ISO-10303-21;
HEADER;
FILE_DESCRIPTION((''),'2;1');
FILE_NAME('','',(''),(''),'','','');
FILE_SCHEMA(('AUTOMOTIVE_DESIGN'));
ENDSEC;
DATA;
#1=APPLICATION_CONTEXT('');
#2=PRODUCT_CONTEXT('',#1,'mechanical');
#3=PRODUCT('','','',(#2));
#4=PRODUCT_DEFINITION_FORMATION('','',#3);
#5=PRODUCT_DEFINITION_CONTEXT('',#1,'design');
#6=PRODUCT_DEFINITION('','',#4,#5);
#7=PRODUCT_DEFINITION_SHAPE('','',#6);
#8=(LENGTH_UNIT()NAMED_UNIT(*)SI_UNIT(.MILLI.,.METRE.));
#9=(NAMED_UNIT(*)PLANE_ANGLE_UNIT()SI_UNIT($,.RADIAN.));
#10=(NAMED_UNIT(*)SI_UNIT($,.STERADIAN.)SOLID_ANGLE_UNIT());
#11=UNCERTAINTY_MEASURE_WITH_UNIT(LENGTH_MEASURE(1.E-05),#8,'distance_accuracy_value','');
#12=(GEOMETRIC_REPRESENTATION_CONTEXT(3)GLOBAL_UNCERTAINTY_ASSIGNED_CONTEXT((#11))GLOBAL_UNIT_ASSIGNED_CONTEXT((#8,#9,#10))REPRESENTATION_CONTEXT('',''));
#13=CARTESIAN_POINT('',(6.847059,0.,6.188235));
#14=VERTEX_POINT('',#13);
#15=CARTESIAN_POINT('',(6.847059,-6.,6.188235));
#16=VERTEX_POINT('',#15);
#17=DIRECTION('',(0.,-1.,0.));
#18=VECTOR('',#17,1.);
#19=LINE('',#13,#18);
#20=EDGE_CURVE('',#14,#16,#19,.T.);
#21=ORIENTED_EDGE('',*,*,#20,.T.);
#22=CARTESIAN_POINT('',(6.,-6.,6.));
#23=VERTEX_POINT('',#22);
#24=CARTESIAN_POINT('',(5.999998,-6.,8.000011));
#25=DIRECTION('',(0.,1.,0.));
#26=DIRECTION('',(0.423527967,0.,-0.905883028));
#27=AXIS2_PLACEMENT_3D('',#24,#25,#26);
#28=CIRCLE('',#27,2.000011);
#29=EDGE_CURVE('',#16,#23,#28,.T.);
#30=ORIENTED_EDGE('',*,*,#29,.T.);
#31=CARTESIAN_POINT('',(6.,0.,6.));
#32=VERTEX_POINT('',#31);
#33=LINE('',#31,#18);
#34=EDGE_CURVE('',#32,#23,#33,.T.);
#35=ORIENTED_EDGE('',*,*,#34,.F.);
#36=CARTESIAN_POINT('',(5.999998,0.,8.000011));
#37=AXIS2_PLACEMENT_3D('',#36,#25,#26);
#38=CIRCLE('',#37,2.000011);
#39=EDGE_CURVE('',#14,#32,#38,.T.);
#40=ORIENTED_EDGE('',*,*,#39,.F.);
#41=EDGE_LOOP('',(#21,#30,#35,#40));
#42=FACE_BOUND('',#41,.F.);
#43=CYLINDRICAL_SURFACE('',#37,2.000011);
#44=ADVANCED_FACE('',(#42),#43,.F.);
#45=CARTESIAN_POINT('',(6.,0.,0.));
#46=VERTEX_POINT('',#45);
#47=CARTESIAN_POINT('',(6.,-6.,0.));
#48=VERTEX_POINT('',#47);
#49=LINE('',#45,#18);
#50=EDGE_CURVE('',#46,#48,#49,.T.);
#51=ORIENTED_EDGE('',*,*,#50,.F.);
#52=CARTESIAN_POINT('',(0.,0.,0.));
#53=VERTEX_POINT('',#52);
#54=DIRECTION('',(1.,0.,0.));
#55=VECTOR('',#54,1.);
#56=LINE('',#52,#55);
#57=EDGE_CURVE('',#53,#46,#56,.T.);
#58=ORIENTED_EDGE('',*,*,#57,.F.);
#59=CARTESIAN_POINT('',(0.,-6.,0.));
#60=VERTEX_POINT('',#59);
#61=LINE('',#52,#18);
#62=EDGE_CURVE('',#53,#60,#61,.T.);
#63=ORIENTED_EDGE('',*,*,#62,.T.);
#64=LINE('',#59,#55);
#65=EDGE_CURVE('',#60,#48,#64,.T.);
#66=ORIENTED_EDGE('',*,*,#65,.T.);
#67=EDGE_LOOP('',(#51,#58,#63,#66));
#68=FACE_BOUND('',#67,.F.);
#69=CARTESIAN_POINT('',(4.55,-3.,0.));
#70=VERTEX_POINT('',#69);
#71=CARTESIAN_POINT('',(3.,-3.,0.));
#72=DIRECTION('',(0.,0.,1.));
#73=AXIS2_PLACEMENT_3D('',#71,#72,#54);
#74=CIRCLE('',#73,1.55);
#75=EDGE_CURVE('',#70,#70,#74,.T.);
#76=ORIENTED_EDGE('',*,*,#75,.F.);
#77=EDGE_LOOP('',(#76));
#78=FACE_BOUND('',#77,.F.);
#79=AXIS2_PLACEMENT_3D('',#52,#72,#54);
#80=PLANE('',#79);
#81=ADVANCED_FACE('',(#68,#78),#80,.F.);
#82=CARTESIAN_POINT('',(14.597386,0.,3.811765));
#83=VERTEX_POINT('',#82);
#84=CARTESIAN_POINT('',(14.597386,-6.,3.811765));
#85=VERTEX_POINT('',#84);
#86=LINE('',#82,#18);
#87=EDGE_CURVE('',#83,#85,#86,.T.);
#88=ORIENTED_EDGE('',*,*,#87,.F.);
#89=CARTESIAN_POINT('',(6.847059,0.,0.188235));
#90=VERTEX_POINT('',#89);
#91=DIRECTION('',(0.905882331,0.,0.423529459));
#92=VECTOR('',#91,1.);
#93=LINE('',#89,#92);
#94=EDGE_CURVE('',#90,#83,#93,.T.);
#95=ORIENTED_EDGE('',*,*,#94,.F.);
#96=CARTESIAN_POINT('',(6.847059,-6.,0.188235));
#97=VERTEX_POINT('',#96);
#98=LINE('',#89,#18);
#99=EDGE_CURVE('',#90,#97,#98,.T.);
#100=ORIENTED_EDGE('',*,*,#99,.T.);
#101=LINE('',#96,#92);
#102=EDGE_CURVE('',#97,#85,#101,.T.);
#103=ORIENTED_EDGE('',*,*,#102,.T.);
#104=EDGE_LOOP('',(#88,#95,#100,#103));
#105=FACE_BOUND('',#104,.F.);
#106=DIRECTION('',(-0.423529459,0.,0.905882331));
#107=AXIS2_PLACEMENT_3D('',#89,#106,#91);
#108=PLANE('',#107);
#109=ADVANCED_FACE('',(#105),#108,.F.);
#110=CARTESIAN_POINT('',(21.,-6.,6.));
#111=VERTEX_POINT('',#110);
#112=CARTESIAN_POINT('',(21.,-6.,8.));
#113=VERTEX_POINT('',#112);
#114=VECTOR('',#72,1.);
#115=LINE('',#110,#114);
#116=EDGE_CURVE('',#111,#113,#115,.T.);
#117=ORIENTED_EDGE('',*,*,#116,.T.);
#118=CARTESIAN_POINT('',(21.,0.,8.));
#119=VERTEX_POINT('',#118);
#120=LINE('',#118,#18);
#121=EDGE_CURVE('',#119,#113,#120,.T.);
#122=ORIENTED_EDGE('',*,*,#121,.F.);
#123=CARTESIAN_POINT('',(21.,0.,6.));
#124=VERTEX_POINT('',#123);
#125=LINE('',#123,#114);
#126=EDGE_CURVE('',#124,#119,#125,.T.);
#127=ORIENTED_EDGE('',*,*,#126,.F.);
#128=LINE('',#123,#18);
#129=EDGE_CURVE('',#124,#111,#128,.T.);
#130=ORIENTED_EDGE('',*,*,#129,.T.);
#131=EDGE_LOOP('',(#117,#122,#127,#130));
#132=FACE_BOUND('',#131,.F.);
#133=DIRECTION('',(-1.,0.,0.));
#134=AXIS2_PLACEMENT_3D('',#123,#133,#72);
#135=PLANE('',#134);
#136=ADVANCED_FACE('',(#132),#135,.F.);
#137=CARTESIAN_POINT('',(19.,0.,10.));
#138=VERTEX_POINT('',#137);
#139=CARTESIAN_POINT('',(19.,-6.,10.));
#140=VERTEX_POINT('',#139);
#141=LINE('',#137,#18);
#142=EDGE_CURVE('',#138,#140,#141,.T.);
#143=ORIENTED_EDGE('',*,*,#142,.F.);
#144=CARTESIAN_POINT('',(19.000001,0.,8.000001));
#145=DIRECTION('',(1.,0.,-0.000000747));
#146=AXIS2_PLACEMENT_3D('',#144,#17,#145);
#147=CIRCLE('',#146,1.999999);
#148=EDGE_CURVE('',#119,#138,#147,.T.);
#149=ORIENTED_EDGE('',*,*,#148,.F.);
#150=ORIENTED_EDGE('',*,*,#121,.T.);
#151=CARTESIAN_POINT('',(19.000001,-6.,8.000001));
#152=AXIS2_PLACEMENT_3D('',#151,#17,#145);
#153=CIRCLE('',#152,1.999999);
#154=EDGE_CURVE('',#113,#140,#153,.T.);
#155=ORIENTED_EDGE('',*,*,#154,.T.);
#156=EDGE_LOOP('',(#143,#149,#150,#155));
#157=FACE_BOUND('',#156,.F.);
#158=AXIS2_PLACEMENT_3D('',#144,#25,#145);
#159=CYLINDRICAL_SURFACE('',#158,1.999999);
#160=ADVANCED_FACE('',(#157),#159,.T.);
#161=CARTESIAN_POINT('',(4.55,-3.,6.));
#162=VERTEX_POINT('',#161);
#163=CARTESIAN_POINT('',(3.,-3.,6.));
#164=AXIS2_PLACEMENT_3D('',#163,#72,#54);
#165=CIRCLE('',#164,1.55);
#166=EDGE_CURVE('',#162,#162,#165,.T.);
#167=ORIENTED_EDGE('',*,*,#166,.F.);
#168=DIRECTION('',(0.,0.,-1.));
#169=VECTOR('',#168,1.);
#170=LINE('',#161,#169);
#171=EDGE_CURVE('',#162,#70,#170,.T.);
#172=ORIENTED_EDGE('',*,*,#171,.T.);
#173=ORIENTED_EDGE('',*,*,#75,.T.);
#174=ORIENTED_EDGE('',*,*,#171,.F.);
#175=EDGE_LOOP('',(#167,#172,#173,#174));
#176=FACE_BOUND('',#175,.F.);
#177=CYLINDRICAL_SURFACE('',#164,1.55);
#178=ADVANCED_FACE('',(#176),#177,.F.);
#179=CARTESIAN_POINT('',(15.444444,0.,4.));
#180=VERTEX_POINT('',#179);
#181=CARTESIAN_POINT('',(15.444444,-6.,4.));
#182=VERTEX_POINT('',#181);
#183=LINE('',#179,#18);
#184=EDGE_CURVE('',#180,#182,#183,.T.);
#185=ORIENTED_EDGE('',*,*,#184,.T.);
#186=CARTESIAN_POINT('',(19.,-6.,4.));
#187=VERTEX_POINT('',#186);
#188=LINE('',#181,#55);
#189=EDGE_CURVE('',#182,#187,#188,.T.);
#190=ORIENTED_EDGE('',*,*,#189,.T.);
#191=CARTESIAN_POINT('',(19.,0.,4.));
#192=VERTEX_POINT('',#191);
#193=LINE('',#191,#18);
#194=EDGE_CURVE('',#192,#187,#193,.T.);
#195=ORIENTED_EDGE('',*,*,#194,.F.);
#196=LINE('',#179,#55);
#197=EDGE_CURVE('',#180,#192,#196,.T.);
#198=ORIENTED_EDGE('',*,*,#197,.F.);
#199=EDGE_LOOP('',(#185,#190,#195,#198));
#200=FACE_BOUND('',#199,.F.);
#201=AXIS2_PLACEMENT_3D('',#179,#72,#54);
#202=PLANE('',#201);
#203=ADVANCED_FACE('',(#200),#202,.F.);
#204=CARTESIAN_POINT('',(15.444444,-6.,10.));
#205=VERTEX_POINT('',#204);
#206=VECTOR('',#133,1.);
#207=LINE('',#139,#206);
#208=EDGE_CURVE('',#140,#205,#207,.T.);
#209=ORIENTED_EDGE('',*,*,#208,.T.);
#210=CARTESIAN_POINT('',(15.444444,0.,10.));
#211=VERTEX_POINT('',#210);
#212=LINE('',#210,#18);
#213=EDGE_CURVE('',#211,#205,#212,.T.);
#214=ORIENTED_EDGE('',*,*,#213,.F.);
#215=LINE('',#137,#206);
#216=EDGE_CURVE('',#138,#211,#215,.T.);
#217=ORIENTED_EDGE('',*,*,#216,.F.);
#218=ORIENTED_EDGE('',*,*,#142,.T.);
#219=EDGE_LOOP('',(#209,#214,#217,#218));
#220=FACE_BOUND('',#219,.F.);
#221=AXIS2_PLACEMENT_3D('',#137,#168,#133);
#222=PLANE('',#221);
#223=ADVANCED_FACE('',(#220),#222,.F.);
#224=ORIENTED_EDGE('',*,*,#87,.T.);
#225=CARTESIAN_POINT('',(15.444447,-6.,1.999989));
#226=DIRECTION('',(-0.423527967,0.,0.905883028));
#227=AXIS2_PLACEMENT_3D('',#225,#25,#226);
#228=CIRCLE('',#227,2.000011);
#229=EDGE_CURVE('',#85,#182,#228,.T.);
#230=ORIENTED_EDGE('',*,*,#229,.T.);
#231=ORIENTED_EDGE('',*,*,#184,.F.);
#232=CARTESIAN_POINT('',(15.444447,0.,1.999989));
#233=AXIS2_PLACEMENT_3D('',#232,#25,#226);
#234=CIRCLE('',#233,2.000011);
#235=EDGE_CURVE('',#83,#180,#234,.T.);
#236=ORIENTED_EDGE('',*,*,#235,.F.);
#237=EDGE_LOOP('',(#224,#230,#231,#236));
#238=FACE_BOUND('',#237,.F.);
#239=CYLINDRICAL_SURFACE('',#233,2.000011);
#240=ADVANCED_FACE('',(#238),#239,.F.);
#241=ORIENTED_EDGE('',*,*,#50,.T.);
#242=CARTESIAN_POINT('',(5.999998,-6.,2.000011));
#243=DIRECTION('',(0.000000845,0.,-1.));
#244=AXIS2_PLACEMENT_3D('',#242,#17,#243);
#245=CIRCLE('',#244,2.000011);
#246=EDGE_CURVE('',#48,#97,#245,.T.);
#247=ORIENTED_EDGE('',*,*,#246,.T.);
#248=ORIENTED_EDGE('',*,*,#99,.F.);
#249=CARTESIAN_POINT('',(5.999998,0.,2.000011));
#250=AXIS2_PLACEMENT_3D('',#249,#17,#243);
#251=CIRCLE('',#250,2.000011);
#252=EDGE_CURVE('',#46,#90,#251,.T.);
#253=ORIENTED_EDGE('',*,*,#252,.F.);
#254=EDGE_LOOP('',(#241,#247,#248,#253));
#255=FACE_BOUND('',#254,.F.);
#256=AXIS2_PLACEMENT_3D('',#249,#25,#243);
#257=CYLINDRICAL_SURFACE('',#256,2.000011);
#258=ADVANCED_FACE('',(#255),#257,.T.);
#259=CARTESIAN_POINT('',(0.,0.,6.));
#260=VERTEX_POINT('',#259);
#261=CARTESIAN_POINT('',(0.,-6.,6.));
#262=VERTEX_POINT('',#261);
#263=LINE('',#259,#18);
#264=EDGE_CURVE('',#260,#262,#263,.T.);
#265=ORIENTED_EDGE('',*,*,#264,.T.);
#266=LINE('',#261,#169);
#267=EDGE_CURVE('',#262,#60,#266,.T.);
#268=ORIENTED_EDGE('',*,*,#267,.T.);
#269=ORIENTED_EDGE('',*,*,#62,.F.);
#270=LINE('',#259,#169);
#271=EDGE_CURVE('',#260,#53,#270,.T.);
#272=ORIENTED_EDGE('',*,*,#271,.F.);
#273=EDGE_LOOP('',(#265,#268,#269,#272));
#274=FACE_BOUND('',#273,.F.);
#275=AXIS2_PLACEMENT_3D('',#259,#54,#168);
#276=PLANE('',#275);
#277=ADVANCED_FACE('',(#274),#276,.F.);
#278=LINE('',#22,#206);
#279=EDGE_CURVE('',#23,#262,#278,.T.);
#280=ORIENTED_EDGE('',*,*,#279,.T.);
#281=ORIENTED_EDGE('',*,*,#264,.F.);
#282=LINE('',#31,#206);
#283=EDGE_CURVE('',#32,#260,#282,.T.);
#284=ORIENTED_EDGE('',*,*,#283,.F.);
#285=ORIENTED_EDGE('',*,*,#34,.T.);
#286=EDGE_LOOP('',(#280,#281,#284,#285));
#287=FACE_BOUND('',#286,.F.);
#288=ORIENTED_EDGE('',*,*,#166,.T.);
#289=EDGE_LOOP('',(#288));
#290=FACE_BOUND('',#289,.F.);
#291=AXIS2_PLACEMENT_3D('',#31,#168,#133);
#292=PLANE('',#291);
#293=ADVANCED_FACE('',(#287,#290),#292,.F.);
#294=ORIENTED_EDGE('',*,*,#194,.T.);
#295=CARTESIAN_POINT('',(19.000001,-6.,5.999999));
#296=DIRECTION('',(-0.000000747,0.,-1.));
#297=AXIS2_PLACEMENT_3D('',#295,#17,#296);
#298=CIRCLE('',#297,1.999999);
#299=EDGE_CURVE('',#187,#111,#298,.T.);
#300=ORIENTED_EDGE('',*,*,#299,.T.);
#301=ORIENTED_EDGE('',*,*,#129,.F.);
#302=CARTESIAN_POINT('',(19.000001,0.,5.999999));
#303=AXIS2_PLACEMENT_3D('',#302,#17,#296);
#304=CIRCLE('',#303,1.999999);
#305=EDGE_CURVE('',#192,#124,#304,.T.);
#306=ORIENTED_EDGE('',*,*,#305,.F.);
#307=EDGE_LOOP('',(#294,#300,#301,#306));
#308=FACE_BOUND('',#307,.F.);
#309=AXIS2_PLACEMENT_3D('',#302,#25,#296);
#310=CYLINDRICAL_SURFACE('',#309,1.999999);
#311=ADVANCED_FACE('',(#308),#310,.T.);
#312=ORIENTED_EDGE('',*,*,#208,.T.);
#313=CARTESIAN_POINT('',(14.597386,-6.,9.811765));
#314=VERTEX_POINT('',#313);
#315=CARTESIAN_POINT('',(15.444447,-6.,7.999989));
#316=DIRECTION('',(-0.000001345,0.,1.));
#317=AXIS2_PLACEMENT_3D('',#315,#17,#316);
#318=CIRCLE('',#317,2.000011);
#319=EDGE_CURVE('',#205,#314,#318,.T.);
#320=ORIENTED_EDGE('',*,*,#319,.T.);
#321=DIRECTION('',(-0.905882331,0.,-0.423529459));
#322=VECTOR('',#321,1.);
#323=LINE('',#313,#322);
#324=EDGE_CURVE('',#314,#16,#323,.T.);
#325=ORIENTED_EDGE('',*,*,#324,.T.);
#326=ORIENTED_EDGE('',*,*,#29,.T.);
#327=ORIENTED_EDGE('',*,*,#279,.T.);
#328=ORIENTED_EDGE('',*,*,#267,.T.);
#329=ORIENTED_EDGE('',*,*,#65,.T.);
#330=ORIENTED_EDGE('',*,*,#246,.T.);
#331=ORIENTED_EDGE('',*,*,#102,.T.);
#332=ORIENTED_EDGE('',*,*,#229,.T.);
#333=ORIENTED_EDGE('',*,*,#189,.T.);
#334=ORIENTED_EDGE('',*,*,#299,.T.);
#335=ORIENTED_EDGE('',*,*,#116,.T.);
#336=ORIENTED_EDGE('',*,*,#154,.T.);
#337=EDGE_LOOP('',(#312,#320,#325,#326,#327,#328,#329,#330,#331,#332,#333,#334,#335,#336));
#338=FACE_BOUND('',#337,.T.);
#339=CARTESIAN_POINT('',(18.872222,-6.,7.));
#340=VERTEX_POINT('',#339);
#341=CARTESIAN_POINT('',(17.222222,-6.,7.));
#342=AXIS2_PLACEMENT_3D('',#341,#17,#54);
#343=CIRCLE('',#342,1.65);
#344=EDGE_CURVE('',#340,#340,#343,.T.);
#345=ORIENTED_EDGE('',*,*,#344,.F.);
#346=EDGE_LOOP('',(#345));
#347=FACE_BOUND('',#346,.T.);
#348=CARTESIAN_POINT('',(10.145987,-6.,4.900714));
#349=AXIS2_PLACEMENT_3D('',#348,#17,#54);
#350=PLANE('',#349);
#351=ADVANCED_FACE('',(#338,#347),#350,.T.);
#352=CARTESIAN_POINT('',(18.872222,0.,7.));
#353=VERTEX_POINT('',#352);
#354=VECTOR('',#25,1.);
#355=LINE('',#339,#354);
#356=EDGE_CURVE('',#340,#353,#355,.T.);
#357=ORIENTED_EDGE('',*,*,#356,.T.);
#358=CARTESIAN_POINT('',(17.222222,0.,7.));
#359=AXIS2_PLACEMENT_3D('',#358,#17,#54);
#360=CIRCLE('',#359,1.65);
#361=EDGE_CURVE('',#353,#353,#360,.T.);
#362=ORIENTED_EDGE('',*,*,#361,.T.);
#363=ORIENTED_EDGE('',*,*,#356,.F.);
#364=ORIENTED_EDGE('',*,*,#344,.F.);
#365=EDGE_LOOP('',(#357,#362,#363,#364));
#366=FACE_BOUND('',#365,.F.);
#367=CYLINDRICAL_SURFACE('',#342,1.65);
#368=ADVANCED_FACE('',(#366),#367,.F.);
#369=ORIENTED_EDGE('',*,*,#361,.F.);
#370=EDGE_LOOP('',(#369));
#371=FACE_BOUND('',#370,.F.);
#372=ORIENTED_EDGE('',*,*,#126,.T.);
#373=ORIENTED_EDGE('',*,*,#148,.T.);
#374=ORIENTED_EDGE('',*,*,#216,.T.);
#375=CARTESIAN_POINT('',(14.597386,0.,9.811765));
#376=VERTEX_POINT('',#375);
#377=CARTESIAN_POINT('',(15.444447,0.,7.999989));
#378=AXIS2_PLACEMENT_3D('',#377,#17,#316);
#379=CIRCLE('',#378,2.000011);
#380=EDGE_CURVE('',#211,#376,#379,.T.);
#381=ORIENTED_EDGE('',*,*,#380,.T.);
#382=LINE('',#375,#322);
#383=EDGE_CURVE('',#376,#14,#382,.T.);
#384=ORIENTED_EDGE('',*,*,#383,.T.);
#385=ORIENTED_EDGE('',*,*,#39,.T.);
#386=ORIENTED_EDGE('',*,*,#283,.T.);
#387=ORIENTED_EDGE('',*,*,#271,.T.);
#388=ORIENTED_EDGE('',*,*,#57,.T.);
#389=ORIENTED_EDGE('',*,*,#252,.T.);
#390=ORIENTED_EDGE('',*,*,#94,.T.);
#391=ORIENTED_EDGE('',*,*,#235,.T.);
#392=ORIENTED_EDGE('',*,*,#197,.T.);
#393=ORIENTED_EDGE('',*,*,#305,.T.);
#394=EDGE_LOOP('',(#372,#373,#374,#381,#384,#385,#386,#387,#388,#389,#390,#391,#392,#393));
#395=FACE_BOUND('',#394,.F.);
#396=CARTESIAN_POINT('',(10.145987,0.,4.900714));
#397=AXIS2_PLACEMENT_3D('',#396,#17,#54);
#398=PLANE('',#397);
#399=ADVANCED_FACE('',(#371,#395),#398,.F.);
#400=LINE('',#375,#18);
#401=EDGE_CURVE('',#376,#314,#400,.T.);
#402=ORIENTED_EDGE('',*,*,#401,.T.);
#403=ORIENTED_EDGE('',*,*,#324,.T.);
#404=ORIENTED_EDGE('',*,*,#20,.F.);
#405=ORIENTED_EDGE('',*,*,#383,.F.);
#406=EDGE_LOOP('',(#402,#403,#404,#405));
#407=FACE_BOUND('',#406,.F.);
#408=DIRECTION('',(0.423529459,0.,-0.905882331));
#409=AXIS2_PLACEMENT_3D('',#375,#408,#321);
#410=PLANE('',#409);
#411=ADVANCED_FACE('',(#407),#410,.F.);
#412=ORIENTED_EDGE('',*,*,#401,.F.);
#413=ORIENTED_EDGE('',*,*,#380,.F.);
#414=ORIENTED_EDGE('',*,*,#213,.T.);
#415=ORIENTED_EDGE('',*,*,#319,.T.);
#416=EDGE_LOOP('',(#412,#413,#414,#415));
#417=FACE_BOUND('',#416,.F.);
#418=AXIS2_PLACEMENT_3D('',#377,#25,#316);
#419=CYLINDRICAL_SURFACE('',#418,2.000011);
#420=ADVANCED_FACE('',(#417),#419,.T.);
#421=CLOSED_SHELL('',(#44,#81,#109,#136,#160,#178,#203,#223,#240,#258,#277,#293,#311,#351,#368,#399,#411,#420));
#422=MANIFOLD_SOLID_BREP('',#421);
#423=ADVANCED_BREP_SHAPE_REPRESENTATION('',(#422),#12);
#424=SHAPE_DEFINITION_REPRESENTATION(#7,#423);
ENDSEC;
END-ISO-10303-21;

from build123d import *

# Parameters (mm, degrees)
F1_DEPTH = 6
F2_R     = 1.55
F3_DEPTH = 6
F4_R     = 1.65
F5_DEPTH = 6


with BuildPart() as f1:
    # F0 (on Front) → F1 (new body)
    with BuildSketch(Plane.XZ):
        with BuildLine():
            Line((0, 6), (0, 0))
            Line((0, 0), (6, 0))
            ThreePointArc((6, 0), (6.433861, 0.047626), (6.847059, 0.188235))
            Line((6.847059, 0.188235), (14.597386, 3.811765))
            ThreePointArc((14.597386, 3.811765), (15.010584, 3.952374), (15.444444, 4))
            Line((15.444444, 4), (19, 4))
            ThreePointArc((19, 4), (20.414214, 4.585786), (21, 6))
            Line((21, 6), (21, 8))
            ThreePointArc((21, 8), (20.414214, 9.414214), (19, 10))
            Line((19, 10), (15.444444, 10))
            ThreePointArc((15.444444, 10), (15.010584, 9.952374), (14.597386, 9.811765))
            Line((14.597386, 9.811765), (6.847059, 6.188235))
            ThreePointArc((6.847059, 6.188235), (6.433861, 6.047626), (6, 6))
            Line((6, 6), (0, 6))
        make_face()
    extrude(amount=F1_DEPTH)

    # F2 (on face) → F3 (cut, through all)
    with BuildSketch(Plane.XY.offset(6)):
        with Locations((3, -3)):
            Circle(F2_R)
    extrude(amount=-F3_DEPTH, mode=Mode.SUBTRACT)

    # F4 (on face) → F5 (cut, through all)
    with BuildSketch(Plane.XZ.offset(6)):
        with Locations((17.222222, 7)):
            Circle(F4_R)
    extrude(amount=-F5_DEPTH, mode=Mode.SUBTRACT)


solid = f1.part
